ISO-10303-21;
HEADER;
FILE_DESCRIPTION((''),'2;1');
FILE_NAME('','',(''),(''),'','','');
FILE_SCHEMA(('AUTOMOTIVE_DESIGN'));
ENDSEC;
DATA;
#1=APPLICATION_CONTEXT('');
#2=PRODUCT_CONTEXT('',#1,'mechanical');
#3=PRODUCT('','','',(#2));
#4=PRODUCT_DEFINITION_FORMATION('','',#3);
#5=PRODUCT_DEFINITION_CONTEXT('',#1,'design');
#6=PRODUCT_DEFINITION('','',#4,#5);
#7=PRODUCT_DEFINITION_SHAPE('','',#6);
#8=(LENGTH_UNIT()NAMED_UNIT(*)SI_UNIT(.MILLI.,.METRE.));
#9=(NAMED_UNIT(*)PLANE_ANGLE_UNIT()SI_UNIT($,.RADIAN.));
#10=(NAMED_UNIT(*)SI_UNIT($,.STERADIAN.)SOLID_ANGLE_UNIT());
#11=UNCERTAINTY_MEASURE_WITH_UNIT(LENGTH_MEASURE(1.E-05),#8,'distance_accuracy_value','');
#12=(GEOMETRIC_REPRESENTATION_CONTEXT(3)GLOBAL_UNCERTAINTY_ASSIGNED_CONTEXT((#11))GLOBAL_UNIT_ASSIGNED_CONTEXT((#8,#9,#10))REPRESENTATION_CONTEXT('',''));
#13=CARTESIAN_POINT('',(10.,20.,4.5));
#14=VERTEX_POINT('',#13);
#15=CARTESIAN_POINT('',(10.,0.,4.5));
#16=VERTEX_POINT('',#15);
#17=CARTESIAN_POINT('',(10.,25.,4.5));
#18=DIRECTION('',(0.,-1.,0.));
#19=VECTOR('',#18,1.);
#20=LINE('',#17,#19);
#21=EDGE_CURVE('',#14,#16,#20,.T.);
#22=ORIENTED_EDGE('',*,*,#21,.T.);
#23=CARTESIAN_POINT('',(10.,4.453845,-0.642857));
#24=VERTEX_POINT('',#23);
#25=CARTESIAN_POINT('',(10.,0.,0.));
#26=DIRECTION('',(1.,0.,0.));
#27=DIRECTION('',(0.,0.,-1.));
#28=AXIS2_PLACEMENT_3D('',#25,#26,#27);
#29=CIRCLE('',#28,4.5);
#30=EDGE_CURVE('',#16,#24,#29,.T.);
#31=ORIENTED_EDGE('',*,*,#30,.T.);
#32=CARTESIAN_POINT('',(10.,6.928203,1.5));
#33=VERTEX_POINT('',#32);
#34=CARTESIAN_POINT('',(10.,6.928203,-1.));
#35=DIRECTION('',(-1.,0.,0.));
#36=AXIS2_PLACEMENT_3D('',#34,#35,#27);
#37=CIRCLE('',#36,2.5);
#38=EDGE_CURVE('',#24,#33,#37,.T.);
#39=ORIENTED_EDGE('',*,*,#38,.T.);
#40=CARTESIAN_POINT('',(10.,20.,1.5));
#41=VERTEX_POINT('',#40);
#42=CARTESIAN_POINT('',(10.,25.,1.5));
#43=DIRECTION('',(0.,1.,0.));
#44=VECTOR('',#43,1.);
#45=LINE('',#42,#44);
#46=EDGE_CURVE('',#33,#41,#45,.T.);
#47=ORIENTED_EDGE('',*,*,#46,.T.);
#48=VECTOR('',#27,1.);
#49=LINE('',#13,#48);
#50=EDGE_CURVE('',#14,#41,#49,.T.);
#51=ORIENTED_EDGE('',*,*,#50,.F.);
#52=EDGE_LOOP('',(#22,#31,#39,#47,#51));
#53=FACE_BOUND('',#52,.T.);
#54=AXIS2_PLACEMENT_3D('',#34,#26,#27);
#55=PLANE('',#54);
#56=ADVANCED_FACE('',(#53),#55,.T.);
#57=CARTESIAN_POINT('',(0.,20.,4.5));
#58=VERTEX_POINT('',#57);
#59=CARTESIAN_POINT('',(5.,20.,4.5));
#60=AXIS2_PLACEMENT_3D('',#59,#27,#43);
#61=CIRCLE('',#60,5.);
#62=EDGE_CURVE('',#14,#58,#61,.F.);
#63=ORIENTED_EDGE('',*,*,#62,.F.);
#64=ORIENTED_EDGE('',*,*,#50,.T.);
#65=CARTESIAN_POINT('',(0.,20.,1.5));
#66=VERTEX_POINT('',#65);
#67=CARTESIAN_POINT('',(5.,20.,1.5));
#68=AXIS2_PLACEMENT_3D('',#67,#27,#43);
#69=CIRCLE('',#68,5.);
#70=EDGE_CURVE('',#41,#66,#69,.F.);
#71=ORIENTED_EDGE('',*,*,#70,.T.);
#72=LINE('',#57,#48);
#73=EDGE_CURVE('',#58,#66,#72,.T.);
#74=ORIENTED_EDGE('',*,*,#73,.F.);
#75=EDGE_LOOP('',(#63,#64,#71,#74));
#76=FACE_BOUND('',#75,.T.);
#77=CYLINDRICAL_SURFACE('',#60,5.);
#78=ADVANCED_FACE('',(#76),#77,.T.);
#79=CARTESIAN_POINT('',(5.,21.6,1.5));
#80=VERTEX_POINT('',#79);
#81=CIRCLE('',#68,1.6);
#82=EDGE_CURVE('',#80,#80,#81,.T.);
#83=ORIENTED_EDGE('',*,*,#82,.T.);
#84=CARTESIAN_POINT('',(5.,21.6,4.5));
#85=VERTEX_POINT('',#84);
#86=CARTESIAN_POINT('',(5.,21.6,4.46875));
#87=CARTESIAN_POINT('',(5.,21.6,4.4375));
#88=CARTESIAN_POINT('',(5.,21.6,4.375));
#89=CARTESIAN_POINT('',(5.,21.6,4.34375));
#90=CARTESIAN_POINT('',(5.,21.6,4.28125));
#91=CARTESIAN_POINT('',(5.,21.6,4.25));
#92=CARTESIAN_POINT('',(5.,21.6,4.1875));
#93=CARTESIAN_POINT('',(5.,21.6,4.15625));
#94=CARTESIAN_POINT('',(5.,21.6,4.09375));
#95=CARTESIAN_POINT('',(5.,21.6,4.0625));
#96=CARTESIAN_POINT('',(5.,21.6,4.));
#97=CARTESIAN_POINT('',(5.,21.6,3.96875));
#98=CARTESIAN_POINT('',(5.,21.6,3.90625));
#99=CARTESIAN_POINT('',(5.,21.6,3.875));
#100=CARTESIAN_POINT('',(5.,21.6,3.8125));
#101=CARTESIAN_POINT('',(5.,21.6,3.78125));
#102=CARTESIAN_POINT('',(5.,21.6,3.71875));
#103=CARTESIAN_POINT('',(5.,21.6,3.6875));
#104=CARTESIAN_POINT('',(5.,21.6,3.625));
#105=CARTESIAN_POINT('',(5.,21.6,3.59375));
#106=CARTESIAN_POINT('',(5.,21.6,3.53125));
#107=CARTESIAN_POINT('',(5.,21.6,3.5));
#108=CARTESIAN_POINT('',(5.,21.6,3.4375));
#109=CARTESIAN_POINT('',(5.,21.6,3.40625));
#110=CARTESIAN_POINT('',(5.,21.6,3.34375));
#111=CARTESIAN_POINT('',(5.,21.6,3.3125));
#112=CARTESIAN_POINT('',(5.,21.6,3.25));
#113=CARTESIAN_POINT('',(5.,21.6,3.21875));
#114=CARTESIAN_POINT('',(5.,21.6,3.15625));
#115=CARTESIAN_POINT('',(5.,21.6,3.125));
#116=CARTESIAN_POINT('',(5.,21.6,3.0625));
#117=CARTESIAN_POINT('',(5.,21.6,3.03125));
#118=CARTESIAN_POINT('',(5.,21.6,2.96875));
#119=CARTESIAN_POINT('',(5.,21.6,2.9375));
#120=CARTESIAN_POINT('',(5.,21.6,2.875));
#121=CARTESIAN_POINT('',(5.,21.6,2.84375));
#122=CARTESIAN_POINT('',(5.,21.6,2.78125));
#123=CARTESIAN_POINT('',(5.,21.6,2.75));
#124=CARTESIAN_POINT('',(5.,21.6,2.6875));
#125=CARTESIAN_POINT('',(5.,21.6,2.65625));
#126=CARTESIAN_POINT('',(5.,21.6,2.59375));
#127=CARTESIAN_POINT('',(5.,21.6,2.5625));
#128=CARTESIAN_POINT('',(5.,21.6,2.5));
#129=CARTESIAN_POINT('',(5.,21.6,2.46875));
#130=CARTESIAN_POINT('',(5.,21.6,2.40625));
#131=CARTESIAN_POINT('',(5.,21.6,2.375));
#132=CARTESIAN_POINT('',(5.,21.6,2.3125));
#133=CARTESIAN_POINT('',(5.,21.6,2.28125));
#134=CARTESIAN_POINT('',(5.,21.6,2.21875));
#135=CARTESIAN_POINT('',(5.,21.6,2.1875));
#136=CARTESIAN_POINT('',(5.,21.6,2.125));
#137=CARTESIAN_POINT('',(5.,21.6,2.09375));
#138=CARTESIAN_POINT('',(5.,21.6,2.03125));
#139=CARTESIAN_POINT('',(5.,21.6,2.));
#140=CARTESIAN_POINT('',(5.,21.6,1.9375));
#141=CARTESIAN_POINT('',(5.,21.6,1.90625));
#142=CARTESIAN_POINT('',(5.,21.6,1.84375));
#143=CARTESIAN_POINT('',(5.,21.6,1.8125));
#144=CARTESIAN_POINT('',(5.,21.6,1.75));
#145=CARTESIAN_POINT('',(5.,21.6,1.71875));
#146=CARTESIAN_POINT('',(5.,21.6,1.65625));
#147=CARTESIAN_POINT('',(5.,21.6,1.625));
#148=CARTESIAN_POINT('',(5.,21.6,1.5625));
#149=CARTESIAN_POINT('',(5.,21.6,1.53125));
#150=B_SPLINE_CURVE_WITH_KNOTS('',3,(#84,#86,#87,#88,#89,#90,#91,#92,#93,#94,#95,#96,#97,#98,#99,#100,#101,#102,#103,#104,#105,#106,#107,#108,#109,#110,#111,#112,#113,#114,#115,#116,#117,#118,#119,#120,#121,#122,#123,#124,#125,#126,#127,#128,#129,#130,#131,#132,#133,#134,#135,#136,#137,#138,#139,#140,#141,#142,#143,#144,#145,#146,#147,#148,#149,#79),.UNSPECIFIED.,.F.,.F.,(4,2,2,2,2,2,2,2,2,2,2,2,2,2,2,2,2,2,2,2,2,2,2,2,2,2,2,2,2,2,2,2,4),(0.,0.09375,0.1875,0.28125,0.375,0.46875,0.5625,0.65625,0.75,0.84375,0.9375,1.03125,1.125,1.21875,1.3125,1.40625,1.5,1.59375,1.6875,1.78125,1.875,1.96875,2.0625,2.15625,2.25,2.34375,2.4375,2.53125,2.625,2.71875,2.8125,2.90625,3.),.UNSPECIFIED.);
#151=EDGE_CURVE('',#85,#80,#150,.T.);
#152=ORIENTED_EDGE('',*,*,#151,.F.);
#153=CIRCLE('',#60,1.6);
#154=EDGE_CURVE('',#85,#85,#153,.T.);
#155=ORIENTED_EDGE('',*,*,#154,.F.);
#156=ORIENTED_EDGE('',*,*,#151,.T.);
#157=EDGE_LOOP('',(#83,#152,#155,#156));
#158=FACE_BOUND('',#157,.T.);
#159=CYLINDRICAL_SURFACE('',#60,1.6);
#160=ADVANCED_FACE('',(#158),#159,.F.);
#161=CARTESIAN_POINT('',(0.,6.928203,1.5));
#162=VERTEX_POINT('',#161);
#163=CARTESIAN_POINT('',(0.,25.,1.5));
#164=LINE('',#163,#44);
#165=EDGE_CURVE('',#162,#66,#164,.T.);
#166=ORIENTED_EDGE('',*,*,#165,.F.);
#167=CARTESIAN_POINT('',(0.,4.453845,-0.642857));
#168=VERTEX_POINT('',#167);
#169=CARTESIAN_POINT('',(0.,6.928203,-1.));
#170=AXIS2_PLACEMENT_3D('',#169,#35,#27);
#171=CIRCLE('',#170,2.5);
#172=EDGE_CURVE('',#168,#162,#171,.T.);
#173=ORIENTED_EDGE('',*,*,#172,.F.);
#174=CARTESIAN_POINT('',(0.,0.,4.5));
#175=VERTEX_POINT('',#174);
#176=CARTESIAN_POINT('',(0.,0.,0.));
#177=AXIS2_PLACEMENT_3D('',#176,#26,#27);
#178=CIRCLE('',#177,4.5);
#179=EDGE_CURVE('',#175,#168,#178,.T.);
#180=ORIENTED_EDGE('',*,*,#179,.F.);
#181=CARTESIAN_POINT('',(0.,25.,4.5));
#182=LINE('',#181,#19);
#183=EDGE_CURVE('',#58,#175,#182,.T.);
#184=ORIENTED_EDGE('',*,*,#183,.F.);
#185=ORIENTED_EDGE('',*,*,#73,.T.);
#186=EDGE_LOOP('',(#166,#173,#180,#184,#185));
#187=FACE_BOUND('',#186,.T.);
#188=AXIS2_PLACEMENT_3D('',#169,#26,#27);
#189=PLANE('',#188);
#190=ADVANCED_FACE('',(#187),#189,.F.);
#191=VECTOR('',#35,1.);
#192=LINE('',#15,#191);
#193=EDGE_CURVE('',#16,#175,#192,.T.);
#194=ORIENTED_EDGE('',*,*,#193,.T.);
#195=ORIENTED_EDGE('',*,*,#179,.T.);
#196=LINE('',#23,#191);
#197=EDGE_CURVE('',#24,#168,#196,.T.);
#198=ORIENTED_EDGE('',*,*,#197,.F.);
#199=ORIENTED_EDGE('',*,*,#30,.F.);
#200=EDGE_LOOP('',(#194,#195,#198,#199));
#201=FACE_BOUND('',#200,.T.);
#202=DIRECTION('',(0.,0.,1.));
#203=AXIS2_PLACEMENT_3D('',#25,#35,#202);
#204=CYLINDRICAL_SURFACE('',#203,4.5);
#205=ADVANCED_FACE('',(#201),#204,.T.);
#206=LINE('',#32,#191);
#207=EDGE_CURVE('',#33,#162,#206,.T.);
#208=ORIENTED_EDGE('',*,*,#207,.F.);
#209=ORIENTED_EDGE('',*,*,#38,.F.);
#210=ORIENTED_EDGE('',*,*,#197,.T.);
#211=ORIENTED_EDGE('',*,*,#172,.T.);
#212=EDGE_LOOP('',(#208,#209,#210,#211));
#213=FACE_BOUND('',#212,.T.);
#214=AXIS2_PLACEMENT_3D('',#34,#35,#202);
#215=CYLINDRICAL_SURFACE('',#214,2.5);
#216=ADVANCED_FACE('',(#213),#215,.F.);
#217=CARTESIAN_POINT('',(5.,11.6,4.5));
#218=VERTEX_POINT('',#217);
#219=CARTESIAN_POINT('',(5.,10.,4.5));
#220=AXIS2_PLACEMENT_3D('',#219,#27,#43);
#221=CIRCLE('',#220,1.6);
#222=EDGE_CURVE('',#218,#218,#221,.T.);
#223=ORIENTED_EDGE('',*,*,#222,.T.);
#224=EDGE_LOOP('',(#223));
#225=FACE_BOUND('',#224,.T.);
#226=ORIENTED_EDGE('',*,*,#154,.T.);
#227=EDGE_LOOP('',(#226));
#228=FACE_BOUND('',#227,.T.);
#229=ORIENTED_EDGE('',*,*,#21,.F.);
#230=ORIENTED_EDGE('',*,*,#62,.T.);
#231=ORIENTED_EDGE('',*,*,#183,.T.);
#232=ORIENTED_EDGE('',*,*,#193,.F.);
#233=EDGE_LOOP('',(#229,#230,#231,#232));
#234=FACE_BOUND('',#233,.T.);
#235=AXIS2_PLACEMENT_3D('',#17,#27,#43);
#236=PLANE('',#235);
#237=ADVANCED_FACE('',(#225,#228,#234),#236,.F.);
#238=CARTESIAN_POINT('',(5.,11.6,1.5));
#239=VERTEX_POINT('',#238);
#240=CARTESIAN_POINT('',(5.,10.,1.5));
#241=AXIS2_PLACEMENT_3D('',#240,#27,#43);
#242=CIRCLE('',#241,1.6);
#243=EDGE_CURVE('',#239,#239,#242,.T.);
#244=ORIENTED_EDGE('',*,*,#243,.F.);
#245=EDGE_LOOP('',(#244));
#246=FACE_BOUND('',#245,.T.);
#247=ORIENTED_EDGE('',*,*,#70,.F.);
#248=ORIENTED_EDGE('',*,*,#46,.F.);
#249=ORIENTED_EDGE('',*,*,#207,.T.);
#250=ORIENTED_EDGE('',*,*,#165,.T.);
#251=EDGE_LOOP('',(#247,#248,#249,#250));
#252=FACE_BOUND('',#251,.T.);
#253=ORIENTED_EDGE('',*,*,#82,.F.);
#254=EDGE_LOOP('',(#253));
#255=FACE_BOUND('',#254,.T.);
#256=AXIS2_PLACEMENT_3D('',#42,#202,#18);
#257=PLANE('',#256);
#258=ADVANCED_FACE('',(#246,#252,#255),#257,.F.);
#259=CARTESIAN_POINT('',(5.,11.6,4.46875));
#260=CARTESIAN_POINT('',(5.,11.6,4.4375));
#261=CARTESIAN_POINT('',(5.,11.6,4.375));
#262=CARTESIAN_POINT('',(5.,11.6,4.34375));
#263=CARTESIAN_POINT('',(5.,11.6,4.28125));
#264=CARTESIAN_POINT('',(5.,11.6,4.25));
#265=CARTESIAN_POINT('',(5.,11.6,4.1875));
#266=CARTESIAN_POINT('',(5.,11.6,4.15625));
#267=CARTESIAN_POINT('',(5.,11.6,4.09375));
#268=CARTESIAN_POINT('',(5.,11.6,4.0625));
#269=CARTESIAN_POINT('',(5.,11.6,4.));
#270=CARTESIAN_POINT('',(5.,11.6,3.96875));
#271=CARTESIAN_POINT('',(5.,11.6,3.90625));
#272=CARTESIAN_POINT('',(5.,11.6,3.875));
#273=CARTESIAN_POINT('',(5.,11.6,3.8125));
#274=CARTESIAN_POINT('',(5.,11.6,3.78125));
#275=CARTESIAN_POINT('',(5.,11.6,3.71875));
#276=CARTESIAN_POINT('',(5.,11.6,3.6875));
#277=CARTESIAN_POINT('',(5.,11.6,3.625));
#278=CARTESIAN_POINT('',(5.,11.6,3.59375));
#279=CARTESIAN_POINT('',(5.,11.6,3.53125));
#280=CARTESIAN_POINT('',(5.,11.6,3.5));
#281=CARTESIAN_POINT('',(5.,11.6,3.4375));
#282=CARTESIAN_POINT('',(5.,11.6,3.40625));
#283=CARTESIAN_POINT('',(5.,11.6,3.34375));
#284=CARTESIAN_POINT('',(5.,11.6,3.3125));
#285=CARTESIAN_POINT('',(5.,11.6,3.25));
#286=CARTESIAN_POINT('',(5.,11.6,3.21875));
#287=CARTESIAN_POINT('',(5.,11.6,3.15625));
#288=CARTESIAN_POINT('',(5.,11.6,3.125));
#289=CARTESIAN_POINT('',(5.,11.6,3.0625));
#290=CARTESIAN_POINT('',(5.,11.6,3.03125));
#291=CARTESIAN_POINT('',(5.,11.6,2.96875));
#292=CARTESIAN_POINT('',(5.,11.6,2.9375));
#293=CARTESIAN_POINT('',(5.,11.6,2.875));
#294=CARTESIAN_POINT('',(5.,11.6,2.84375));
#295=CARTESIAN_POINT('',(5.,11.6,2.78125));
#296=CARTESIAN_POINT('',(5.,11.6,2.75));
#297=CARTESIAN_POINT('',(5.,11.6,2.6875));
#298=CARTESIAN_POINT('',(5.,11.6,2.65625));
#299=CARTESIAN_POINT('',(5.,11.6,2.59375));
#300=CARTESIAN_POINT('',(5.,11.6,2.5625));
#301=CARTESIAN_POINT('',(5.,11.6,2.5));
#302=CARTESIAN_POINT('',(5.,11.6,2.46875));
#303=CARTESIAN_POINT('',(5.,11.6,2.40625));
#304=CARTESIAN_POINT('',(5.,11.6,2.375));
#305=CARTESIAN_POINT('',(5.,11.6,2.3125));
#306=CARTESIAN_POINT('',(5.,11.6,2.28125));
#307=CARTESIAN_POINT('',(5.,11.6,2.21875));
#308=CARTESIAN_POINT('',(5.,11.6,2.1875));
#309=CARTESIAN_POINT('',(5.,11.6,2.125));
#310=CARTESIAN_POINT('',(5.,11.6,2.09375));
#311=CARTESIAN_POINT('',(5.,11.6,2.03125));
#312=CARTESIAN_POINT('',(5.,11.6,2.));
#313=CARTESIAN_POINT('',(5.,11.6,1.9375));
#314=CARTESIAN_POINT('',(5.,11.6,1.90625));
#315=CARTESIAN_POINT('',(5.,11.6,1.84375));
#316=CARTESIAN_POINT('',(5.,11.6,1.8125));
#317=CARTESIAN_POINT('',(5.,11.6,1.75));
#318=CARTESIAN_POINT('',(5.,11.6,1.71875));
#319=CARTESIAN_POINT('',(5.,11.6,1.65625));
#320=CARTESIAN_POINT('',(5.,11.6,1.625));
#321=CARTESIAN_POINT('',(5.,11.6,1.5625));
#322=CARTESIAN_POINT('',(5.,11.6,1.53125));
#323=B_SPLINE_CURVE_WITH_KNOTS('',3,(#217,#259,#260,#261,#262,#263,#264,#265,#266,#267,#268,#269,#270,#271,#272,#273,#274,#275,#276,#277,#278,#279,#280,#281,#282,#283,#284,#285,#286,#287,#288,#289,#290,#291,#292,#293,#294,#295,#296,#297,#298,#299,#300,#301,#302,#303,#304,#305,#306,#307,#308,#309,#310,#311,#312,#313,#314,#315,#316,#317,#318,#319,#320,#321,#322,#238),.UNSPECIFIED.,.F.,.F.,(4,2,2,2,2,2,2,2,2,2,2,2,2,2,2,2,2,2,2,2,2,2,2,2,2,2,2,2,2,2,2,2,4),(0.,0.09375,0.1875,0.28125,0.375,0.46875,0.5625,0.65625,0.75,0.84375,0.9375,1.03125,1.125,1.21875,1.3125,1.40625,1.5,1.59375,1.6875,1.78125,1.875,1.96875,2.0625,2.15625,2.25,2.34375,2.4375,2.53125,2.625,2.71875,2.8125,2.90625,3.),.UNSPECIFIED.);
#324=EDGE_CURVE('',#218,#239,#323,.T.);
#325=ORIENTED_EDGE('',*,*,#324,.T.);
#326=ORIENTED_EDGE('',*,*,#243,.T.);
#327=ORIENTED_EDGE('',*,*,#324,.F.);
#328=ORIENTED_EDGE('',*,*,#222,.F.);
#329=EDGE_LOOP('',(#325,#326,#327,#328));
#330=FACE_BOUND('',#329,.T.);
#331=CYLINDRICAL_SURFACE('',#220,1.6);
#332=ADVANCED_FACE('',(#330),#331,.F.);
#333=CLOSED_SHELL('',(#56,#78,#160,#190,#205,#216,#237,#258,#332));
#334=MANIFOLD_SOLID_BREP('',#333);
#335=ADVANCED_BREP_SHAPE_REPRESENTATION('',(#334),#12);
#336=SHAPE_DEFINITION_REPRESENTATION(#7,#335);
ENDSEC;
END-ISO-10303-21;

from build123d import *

# Parameters (mm, degrees)
EXTRUDE_1_DEPTH     = 10
SKETCH_3_R          = 1.6
CUT_EXTRUDE_1_DEPTH = 28.586228448


with BuildPart() as part:
    # 草图2 → 凸台-拉伸1 (new body)
    with BuildSketch(Plane(origin=(0, 0, 0), x_dir=(0, 0, -1), z_dir=(1, 0, 0))):
        with BuildLine():
            Line((-4.5, 25), (-1.5, 25))
            Line((-1.5, 25), (-1.5, 6.92820323))
            ThreePointArc((-1.5, 6.92820323), (-0.889822365, 5.291569054), (0.642857143, 4.453844934))
            ThreePointArc((0.642857143, 4.453844934), (2.945941518, -3.401680257), (-4.5, 0))
            Line((-4.5, 0), (-4.5, 25))
        make_face()
    extrude(amount=EXTRUDE_1_DEPTH)

    # 草图3 → 切除-拉伸1 (cut, through all)
    with BuildSketch(Plane(origin=(0, 0, 1.5), x_dir=(-1, 0, 0), z_dir=(0, 0, -1))):
        with BuildLine():
            Line((-10, 25), (-10, 20))
            ThreePointArc((-10, 20), (-8.535533906, 23.535533906), (-5, 25))
            Line((-5, 25), (-10, 25))
        make_face()
        with BuildLine():
            Line((0, 25), (-5, 25))
            ThreePointArc((-5, 25), (-1.464466094, 23.535533906), (0, 20))
            Line((0, 20), (0, 25))
        make_face()
        with Locations(Location((-5, 20, 0), (0, 0, 90))):
            Circle(SKETCH_3_R)
        with Locations(Location((-5, 10, 0), (0, 0, 90))):
            Circle(SKETCH_3_R)
    extrude(amount=-CUT_EXTRUDE_1_DEPTH, mode=Mode.SUBTRACT)


solid = part.part
